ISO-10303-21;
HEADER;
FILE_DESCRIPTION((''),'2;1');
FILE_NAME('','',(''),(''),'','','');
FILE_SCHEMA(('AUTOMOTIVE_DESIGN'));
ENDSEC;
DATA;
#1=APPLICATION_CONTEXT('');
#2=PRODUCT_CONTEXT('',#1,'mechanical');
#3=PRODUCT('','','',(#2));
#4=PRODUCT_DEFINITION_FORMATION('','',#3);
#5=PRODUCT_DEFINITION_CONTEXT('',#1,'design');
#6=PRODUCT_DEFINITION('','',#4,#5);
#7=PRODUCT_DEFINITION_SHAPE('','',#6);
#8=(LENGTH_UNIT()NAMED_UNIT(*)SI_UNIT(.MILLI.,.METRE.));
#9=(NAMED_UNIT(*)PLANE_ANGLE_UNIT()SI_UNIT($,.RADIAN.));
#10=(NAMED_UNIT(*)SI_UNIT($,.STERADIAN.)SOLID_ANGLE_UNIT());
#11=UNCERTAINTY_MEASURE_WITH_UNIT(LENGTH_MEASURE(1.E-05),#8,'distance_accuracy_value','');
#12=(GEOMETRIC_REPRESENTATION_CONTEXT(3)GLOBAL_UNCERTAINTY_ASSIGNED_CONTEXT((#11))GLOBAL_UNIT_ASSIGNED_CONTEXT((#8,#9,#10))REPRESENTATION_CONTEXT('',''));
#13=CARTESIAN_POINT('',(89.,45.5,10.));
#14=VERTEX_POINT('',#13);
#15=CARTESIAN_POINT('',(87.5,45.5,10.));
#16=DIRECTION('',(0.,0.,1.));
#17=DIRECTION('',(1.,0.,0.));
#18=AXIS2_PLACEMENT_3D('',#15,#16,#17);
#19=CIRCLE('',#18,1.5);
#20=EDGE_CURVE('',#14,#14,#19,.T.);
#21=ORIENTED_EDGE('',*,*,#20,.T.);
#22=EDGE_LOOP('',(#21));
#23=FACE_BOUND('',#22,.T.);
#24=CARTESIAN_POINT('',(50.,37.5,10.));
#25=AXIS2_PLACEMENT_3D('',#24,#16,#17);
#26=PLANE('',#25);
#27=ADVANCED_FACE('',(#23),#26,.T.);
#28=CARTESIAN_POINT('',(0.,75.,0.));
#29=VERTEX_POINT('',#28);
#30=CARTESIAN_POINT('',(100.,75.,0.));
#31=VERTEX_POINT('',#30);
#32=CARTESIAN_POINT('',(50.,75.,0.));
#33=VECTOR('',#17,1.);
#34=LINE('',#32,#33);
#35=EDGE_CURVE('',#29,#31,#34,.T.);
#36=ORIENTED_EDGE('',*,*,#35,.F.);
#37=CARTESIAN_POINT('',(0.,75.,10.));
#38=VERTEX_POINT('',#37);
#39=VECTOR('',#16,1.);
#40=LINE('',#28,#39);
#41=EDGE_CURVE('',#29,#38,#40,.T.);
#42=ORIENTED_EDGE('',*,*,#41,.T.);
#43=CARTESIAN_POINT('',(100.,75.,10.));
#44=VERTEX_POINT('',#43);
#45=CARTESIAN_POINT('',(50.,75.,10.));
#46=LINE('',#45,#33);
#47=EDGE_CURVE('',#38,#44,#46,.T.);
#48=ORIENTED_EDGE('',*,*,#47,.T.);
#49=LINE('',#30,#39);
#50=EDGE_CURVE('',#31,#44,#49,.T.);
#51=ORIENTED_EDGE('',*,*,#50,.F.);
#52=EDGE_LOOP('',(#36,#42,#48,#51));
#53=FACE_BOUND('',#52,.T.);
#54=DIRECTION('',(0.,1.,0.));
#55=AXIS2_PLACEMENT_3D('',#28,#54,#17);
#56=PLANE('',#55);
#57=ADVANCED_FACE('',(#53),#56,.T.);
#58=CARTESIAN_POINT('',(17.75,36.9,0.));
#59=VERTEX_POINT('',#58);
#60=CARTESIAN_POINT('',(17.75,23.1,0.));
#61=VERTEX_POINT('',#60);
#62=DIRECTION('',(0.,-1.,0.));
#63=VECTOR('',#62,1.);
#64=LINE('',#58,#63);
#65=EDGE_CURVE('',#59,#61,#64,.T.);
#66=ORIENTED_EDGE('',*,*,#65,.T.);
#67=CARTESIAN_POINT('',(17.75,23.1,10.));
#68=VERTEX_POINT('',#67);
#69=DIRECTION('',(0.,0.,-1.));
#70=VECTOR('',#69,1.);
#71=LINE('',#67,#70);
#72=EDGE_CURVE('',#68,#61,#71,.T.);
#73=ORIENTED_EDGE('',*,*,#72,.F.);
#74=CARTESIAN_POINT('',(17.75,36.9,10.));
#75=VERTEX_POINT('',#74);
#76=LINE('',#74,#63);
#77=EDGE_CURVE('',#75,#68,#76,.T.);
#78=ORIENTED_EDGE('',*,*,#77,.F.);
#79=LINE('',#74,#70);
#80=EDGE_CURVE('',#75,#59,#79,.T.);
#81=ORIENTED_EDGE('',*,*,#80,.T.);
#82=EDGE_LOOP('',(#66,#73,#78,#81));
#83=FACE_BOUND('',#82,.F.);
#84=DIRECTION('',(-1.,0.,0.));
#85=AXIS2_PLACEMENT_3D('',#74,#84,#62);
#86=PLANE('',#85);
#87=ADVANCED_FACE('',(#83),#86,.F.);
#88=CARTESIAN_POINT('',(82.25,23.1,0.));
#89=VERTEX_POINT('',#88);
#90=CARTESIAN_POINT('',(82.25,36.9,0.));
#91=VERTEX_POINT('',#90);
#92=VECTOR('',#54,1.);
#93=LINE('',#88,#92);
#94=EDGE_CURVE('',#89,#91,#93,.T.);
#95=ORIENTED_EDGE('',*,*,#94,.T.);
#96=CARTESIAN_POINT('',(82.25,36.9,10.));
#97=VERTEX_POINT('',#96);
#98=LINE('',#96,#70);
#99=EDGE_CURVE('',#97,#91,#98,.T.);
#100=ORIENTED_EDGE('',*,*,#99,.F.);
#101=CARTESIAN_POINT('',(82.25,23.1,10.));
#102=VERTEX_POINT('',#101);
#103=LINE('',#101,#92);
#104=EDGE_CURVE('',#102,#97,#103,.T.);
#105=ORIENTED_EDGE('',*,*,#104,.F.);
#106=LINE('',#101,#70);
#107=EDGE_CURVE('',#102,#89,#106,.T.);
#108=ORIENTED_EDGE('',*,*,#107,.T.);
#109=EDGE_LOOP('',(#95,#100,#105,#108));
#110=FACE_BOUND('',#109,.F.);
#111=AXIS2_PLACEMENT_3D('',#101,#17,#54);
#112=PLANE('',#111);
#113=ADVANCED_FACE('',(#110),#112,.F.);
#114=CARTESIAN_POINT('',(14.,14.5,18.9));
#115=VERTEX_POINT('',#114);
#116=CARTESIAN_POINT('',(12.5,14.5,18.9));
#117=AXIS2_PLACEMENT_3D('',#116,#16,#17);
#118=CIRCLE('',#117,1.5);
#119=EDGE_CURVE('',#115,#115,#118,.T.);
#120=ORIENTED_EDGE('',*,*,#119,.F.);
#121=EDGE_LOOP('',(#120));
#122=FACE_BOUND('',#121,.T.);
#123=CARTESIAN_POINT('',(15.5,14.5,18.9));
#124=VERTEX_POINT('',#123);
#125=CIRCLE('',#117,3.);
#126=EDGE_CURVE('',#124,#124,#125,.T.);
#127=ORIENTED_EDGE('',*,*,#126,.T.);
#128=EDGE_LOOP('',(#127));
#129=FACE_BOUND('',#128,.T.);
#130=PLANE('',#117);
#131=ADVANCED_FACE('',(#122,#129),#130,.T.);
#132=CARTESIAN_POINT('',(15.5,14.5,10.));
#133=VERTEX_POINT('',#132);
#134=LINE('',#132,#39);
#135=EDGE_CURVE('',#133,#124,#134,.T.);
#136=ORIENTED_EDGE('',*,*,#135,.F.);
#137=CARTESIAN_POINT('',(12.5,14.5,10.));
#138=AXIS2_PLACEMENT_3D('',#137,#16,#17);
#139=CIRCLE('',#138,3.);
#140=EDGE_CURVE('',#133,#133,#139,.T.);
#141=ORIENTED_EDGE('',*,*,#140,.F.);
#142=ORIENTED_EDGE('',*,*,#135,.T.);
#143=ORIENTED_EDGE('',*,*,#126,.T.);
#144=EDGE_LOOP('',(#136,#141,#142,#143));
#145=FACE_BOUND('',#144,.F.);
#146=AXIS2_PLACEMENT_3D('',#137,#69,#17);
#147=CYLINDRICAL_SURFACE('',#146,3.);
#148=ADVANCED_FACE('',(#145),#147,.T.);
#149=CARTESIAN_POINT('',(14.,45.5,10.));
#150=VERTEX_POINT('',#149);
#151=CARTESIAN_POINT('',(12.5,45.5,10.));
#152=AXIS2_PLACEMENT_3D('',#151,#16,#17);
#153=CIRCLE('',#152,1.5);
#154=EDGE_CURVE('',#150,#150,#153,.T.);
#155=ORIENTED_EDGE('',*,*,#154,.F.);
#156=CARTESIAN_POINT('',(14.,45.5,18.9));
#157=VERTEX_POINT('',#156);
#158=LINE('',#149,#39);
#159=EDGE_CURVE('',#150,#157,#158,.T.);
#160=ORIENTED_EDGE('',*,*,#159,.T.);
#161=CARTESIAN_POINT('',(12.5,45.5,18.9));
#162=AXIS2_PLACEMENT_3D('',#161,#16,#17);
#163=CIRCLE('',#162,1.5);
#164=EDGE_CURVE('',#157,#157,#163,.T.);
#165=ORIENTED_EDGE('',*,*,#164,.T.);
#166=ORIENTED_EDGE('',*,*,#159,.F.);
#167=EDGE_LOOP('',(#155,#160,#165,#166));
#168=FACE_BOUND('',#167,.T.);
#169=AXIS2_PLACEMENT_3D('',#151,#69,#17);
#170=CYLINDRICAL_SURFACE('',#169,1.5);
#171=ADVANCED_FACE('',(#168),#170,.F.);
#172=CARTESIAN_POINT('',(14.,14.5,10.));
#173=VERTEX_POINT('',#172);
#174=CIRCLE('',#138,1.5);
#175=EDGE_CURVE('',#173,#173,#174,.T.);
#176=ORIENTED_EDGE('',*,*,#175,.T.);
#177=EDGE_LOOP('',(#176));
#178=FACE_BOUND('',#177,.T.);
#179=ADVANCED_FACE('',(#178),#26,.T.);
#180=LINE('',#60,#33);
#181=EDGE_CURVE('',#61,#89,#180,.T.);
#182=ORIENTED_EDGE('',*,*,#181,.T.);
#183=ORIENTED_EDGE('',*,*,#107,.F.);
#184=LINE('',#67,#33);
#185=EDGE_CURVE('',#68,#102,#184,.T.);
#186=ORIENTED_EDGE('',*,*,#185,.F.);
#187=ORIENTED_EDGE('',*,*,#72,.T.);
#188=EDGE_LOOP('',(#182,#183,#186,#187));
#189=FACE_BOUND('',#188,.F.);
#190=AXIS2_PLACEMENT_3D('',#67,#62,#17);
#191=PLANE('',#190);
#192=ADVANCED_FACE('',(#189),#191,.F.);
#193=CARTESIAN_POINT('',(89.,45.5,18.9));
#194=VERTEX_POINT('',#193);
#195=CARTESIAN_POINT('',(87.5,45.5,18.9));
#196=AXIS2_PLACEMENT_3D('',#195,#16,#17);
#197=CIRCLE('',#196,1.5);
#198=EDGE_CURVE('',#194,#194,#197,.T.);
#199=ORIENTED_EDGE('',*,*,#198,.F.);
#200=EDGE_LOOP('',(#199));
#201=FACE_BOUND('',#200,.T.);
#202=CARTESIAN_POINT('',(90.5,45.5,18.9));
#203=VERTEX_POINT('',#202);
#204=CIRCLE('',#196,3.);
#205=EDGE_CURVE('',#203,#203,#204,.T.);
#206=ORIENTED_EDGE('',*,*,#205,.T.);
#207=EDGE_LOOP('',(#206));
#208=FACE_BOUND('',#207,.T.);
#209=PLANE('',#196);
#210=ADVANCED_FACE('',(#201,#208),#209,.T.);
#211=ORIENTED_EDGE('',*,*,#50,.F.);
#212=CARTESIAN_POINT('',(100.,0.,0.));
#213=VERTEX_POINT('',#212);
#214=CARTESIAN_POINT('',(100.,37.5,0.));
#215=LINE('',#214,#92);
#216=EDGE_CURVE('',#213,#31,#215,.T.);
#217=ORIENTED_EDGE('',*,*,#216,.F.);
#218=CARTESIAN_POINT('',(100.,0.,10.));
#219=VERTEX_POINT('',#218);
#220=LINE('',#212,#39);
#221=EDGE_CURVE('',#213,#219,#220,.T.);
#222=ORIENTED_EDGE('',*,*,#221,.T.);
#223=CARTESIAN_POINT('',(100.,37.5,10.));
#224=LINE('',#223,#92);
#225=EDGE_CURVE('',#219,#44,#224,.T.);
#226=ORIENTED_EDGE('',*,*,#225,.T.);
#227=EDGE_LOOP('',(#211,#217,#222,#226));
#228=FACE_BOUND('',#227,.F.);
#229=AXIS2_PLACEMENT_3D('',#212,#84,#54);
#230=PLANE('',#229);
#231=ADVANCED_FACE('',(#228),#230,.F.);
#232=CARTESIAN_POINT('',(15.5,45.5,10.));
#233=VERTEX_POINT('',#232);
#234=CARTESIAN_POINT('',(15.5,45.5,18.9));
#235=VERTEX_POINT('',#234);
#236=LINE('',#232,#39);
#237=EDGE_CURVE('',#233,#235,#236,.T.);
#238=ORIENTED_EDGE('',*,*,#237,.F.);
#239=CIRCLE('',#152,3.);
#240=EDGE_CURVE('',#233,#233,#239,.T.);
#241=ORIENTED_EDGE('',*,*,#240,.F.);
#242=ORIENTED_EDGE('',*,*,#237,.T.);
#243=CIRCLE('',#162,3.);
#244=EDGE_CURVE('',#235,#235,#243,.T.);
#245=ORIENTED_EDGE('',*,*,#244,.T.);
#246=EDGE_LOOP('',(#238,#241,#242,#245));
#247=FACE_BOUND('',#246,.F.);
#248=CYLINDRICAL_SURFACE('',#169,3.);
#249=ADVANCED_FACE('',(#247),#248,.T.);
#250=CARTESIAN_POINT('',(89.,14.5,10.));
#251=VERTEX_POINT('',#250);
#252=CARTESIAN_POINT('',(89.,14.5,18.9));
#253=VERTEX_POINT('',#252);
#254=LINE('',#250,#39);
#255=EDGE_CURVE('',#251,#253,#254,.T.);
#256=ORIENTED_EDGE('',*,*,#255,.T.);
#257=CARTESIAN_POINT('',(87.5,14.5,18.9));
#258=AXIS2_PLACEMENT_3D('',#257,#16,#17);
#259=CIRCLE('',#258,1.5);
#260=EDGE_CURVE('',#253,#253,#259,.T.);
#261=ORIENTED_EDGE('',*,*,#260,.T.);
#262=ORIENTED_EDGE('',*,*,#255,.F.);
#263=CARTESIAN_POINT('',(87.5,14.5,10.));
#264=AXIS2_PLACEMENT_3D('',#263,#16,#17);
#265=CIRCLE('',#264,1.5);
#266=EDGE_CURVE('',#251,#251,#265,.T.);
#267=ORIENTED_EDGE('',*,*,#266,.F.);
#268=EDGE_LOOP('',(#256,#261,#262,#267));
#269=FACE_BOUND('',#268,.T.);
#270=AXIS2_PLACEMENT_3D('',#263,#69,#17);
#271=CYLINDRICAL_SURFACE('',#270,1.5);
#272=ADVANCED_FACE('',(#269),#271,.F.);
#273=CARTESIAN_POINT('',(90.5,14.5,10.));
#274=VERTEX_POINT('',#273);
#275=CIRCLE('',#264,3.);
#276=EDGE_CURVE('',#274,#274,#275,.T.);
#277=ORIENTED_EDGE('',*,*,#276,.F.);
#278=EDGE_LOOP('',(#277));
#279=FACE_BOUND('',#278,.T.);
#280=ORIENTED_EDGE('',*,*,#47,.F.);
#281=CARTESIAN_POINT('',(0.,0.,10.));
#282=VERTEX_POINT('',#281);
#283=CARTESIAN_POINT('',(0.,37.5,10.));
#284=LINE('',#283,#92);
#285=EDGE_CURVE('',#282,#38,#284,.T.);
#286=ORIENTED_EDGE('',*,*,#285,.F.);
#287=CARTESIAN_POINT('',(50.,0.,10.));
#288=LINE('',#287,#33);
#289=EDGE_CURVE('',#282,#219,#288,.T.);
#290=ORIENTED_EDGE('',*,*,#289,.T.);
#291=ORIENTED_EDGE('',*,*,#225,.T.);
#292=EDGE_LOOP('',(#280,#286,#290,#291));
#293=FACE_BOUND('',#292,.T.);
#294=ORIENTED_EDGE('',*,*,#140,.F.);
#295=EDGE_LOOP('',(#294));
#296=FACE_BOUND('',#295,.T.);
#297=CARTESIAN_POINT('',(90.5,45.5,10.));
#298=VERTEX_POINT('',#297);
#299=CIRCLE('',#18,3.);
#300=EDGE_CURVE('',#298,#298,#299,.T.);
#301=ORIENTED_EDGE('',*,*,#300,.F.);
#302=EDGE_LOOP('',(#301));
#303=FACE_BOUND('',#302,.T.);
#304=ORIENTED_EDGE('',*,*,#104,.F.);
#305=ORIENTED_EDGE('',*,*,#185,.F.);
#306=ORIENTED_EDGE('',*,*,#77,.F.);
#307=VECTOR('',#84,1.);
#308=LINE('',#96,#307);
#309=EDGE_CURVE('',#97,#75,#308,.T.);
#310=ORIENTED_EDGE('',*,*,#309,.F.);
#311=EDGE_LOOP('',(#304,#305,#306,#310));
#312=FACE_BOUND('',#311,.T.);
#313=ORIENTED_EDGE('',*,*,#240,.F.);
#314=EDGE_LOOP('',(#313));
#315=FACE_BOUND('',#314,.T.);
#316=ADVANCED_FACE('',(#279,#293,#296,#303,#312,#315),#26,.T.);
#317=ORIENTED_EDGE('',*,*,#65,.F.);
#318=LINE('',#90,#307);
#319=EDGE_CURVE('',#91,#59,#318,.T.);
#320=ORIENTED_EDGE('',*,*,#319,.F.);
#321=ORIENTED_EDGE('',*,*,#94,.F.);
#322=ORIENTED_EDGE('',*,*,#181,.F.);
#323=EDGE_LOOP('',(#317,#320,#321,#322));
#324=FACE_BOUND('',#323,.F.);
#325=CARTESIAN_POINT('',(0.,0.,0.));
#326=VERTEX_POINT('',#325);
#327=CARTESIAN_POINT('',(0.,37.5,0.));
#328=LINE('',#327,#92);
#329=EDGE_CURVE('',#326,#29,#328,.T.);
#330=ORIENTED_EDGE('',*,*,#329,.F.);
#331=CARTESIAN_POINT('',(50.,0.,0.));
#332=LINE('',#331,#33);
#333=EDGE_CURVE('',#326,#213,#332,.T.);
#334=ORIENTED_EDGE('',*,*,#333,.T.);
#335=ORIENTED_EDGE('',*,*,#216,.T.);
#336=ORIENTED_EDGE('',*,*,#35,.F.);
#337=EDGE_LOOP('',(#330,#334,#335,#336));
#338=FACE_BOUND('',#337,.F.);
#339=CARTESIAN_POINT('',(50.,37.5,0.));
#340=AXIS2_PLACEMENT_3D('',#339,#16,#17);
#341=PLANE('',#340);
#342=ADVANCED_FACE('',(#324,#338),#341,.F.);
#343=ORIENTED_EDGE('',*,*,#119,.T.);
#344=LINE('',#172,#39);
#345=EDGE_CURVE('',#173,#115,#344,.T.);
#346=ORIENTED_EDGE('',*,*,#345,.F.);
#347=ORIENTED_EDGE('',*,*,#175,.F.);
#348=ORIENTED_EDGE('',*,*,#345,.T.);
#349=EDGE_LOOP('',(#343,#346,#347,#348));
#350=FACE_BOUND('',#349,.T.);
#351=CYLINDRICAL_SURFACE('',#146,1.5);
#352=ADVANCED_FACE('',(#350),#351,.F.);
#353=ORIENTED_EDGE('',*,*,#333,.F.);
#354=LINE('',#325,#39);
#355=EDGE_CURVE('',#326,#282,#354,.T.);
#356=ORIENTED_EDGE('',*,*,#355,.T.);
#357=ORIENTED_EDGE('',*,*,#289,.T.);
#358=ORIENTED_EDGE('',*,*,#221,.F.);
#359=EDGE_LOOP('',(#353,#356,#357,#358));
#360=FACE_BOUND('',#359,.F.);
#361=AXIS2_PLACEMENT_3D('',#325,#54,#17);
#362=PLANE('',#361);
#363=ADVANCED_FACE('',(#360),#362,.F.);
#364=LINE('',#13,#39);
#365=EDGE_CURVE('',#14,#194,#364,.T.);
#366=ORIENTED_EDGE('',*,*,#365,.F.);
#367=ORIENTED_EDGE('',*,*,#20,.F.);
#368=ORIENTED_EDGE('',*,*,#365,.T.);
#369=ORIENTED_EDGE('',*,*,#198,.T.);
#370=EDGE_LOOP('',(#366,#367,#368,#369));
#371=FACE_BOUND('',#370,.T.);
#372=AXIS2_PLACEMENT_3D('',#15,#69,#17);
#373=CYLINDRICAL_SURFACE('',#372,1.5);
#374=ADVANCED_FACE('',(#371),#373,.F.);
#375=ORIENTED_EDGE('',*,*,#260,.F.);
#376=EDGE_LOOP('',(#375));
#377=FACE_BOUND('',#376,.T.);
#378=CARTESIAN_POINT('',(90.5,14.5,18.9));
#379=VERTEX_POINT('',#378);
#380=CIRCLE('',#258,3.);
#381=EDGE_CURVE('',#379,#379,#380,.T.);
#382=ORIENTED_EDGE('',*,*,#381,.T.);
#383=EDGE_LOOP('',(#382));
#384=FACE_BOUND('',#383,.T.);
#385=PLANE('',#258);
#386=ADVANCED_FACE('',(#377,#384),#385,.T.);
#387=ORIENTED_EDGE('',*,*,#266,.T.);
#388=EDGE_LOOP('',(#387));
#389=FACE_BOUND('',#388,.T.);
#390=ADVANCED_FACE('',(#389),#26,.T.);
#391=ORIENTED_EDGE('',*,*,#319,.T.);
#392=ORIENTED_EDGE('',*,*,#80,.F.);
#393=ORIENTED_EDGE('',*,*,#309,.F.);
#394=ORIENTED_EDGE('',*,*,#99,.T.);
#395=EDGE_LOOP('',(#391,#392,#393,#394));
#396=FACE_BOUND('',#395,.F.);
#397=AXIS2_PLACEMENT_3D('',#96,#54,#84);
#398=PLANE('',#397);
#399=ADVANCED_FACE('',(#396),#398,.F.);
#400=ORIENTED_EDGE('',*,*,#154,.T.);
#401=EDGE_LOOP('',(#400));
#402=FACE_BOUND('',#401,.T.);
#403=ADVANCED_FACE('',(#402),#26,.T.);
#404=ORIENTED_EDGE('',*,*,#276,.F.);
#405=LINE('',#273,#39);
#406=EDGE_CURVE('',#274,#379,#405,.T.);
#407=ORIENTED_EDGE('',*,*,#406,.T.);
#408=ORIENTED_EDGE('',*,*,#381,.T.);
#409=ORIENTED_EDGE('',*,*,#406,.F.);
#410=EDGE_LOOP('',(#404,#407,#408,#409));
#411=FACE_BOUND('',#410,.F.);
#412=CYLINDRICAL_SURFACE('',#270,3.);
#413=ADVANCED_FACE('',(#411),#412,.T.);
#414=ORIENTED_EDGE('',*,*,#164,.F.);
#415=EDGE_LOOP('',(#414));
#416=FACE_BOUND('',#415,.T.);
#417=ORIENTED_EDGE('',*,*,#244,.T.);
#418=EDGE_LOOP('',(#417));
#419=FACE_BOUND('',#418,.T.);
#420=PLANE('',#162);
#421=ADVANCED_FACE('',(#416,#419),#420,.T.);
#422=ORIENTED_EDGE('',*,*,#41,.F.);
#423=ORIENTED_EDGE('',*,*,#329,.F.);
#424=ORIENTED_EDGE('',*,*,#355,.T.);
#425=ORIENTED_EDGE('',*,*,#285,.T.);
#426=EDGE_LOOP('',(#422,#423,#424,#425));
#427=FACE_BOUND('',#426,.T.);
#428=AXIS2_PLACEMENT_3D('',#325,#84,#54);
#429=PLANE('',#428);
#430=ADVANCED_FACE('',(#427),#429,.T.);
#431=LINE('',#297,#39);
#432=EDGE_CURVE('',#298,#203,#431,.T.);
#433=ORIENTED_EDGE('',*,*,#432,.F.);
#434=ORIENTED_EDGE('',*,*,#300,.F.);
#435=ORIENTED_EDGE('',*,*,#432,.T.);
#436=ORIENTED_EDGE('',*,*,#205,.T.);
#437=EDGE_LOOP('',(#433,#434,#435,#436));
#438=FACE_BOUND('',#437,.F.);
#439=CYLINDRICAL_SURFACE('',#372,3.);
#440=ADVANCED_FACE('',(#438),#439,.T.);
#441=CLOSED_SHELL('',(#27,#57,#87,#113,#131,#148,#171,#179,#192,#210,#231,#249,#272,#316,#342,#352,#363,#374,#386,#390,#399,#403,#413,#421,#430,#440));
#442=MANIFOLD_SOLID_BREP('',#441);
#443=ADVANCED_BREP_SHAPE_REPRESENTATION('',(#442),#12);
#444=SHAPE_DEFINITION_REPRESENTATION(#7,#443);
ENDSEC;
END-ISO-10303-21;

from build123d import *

# Parameters (mm, degrees)
SKETCH_W      = 100
SKETCH_H      = 75
PAD_DEPTH     = 10
SKETCH001_R   = 3
SKETCH001_R_2 = 1.5
PAD001_DEPTH  = 8.9
POCKET_DEPTH  = 10


with BuildPart() as part:
    # Sketch → Pad (new body)
    with BuildSketch(Plane.XY):
        with Locations((50, 37.5)):
            Rectangle(SKETCH_W, SKETCH_H)
    extrude(amount=PAD_DEPTH)

    # Sketch001 → Pad001 (new body)
    with BuildSketch(Plane.XY.offset(10)):
        with Locations((12.5, 14.5)):
            Circle(SKETCH001_R)
        with Locations((12.5, 14.5)):
            Circle(SKETCH001_R_2, mode=Mode.SUBTRACT)
        with Locations((12.5, 45.5)):
            Circle(SKETCH001_R)
        with Locations((12.5, 45.5)):
            Circle(SKETCH001_R_2, mode=Mode.SUBTRACT)
        with Locations((87.5, 45.5)):
            Circle(SKETCH001_R)
        with Locations((87.5, 45.5)):
            Circle(SKETCH001_R_2, mode=Mode.SUBTRACT)
        with Locations((87.5, 14.5)):
            Circle(SKETCH001_R)
        with Locations((87.5, 14.5)):
            Circle(SKETCH001_R_2, mode=Mode.SUBTRACT)
    extrude(amount=PAD001_DEPTH)

    # Sketch002 → Pocket (cut)
    with BuildSketch(Plane.XY.offset(10)):
        Polygon((82.25, 23.1), (82.25, 36.9), (17.75, 36.9), (17.75, 30), (17.75, 23.1), (50, 23.1), align=None)
    extrude(amount=-POCKET_DEPTH, mode=Mode.SUBTRACT)


solid = part.part
